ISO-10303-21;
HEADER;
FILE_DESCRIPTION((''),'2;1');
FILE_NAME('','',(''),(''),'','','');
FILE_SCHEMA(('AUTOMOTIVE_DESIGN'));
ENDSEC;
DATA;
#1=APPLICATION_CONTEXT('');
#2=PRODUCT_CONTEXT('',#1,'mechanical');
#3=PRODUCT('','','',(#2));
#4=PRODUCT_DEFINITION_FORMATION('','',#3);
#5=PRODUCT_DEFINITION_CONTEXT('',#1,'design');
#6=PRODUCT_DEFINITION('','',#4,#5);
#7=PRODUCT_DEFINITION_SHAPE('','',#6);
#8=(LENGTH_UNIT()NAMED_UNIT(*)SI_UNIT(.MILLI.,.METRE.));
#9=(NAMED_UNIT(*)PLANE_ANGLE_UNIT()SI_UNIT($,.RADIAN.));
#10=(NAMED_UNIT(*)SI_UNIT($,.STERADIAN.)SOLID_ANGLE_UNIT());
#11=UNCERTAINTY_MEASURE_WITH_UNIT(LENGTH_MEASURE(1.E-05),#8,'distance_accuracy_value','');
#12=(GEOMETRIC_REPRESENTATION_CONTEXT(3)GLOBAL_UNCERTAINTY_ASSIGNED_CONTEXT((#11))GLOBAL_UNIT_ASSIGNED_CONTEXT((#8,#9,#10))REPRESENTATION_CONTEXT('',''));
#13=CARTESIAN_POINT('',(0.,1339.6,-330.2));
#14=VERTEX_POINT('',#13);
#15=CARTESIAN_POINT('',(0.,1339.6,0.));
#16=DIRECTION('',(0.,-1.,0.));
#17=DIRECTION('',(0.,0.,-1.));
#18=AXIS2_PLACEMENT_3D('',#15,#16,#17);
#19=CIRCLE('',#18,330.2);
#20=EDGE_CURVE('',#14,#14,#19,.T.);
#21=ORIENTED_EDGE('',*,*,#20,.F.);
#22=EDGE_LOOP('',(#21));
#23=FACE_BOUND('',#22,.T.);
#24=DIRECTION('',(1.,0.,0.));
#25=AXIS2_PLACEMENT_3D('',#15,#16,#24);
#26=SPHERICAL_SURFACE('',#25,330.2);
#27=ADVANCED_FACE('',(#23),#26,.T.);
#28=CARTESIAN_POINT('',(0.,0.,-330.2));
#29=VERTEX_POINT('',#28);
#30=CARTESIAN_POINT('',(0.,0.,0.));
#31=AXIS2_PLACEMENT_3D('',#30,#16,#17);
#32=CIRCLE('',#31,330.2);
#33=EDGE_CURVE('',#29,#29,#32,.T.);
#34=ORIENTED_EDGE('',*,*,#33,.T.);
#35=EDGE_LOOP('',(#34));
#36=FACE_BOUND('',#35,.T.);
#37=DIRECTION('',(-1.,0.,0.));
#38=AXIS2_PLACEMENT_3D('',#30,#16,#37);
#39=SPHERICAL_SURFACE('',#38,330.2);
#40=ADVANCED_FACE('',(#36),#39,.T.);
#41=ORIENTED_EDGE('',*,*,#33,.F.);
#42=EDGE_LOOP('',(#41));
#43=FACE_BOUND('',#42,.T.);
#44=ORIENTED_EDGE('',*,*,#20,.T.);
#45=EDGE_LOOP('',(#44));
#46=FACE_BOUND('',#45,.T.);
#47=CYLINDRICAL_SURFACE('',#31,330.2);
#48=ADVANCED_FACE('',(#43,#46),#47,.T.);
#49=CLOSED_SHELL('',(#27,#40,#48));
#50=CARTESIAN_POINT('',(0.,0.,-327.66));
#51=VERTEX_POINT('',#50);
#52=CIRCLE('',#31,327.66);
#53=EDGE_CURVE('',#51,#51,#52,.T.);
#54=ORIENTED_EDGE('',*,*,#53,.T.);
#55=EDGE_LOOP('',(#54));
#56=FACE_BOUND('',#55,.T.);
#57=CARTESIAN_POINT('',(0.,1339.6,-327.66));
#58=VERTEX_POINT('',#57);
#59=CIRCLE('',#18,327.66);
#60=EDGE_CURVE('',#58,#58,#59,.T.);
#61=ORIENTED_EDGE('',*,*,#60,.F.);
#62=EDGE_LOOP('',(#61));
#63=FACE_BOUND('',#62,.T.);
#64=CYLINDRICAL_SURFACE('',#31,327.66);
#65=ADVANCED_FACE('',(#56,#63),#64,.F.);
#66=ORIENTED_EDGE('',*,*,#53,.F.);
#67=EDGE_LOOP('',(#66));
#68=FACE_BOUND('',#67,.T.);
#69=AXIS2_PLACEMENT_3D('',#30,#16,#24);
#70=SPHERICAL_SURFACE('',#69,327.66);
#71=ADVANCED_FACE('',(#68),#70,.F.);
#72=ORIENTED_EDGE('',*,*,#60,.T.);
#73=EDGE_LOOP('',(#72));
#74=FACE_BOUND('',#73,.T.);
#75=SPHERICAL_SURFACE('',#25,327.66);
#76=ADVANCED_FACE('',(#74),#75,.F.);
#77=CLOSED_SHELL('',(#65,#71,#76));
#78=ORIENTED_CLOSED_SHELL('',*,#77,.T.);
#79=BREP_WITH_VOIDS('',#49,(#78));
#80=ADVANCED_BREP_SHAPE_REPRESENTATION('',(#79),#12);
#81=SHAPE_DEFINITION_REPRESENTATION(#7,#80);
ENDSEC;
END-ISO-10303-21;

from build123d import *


with BuildPart() as part:
    # Sketch1 → Revolve1 (revolve)
    with BuildSketch(Plane.XY):
        with BuildLine():
            Line((0, 1667.26), (0, 1669.8))
            ThreePointArc((0, 1669.8), (233.486659148, 1573.086659148), (330.2, 1339.6))
            Line((330.2, 1339.6), (330.2, 0))
            ThreePointArc((330.2, 0), (233.486659148, -233.486659148), (0, -330.2))
            Line((0, -330.2), (0, -327.66))
            ThreePointArc((0, -327.66), (231.690607924, -231.690607924), (327.66, 0))
            Line((327.66, 0), (327.66, 1339.6))
            ThreePointArc((327.66, 1339.6), (231.690607924, 1571.290607924), (0, 1667.26))
        make_face()
    revolve(axis=Axis((0, 0, 0), (0, 1, 0)))


solid = part.part
